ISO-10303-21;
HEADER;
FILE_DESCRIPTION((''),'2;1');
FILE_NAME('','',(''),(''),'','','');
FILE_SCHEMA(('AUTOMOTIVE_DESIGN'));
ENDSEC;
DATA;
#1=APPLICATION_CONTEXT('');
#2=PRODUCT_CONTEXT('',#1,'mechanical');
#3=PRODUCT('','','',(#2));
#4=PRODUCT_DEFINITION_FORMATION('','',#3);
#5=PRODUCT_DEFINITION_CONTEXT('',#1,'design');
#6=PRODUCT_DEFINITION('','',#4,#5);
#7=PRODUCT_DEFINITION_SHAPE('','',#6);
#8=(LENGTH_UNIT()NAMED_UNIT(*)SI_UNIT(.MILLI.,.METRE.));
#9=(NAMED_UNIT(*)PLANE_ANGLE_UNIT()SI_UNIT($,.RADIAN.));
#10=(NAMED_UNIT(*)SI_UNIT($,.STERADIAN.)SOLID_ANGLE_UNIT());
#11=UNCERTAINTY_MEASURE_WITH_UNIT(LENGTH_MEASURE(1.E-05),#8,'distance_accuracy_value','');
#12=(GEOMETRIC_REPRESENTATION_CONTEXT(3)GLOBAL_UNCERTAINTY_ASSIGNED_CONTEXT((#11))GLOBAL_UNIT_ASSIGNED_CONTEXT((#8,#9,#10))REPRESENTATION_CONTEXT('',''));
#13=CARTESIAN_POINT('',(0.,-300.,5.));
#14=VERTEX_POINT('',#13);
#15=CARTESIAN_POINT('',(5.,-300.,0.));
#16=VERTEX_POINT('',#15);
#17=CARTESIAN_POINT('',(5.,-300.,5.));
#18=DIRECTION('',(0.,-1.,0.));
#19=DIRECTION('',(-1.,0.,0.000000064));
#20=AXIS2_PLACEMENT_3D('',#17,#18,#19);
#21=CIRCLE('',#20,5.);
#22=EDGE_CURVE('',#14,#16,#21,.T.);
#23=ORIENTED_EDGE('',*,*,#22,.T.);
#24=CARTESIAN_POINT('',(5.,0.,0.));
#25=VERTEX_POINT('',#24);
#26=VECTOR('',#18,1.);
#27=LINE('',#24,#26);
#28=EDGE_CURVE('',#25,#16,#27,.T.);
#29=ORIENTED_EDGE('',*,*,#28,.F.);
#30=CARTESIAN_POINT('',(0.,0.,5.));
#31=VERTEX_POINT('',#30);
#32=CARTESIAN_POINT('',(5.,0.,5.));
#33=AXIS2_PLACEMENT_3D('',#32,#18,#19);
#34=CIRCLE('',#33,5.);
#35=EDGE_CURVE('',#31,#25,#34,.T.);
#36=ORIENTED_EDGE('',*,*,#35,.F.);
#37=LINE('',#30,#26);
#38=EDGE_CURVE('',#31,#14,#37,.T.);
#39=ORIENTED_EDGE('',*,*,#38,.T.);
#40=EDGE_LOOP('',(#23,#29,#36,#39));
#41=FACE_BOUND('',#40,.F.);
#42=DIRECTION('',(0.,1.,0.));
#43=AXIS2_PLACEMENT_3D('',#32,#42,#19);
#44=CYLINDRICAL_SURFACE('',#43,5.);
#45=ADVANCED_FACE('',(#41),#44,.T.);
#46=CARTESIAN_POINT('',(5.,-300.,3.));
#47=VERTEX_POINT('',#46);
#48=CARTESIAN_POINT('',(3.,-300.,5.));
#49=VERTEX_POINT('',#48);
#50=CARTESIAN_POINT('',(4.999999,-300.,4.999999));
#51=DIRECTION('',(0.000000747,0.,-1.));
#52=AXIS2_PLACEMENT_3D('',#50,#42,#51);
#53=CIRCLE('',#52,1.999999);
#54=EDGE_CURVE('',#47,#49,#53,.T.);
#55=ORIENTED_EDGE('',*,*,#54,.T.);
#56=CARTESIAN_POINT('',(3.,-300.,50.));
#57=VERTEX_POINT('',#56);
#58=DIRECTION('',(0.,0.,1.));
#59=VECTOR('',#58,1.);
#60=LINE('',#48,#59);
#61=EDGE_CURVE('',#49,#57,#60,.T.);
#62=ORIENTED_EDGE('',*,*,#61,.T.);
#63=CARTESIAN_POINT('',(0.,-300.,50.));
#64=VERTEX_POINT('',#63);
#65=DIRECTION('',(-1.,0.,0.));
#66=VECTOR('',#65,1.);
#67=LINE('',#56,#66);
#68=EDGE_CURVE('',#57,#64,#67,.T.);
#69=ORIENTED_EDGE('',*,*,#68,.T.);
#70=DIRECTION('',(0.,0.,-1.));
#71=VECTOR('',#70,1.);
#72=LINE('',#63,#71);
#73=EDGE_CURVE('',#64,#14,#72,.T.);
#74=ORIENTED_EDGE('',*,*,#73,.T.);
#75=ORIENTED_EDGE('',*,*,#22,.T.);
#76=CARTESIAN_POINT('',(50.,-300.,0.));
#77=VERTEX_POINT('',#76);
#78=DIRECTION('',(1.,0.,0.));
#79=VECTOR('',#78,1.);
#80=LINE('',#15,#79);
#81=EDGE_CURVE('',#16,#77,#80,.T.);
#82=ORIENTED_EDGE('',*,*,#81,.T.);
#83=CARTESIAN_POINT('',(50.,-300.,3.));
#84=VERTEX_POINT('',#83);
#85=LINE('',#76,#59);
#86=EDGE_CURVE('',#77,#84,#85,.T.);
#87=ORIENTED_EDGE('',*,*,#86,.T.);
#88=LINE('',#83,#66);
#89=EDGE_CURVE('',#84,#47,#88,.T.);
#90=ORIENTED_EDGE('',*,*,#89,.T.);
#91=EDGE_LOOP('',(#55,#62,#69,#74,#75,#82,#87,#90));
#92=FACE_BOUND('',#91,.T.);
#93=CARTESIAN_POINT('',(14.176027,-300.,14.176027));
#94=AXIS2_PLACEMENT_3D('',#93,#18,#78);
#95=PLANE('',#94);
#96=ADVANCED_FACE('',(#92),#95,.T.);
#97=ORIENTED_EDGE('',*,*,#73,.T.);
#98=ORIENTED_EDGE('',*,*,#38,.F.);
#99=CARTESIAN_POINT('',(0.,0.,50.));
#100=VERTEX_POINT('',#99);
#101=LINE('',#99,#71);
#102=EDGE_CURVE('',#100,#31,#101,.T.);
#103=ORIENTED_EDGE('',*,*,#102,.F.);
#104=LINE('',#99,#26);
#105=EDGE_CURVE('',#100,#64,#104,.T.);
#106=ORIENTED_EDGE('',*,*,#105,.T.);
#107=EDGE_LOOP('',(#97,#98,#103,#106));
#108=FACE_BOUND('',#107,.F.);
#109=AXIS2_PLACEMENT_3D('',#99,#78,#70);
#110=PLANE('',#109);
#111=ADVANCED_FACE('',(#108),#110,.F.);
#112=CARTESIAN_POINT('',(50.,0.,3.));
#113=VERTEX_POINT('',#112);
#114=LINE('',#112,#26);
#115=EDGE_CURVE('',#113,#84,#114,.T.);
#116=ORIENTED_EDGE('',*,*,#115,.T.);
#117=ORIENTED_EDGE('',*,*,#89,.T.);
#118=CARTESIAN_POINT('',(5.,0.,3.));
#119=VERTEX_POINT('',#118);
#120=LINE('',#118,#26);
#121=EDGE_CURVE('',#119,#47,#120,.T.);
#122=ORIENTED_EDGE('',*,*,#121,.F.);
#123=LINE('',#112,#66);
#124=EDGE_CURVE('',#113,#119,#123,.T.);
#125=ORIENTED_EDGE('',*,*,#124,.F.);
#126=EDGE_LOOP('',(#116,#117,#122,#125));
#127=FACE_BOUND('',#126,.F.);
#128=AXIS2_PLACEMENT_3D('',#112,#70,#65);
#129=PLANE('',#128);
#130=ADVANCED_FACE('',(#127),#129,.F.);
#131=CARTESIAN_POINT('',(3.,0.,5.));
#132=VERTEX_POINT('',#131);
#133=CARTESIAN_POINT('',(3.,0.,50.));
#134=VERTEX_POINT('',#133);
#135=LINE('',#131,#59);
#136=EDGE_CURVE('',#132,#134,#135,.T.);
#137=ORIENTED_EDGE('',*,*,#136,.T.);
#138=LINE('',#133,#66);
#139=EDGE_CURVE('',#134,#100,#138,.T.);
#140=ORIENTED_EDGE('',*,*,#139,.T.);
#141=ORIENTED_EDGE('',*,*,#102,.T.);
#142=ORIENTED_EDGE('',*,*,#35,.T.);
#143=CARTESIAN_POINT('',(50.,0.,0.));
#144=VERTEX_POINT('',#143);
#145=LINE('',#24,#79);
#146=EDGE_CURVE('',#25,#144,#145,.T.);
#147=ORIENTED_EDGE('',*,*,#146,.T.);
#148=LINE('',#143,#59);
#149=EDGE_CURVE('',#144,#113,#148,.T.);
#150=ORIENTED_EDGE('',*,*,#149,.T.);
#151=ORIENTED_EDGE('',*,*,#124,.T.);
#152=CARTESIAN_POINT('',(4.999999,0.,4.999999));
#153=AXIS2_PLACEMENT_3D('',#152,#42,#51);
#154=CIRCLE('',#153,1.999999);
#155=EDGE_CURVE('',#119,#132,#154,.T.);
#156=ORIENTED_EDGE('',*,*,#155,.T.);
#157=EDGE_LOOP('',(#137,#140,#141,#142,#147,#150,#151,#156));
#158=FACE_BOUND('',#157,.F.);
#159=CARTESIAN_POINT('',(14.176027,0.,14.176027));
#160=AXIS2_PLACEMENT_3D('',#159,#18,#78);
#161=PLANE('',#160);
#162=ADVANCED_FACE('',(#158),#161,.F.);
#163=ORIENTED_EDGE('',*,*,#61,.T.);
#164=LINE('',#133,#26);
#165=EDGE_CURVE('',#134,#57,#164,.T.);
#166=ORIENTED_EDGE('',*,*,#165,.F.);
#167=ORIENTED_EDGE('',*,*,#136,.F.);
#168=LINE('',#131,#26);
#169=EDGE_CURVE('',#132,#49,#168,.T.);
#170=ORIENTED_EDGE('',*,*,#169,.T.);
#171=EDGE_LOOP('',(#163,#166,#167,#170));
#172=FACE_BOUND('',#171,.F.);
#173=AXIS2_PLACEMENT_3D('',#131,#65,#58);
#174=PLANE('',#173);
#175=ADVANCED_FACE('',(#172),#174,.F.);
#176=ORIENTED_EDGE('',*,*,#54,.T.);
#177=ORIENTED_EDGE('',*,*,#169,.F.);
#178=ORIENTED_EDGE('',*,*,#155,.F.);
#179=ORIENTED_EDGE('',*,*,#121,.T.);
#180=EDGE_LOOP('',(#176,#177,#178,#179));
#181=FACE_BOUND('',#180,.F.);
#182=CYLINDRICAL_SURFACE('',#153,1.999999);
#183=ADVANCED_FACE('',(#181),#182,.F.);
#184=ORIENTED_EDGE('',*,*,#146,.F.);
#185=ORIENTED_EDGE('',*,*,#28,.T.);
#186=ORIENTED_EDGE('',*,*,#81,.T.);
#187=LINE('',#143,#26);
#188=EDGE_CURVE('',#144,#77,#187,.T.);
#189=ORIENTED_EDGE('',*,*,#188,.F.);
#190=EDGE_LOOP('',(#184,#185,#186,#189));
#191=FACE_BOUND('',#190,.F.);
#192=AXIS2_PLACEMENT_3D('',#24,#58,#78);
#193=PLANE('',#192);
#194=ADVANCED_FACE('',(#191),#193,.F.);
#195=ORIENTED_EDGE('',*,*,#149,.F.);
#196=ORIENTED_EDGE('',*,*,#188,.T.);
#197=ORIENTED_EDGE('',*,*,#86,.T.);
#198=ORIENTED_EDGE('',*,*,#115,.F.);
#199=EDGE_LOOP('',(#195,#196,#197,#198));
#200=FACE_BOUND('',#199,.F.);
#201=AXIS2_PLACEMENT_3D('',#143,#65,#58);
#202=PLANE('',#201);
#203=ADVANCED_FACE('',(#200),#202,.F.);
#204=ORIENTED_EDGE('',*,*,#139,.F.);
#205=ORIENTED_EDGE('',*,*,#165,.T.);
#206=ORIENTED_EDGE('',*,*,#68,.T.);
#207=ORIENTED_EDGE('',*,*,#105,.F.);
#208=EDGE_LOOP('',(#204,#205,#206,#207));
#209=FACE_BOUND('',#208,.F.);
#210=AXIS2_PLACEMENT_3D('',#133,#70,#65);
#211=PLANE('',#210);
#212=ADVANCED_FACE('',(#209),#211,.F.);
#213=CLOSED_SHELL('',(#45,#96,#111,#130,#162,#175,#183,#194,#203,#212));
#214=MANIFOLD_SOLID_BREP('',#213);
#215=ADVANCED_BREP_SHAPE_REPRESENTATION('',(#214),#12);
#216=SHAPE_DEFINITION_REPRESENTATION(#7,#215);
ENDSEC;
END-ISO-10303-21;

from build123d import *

# Parameters (mm, degrees)
F1_DEPTH = 300


with BuildPart() as f1:
    # F0 (on Front) → F1 (new body)
    with BuildSketch(Plane.XZ):
        with BuildLine():
            Line((3, 50), (0, 50))
            Line((0, 50), (0, 5))
            ThreePointArc((0, 5), (1.464466, 1.464466), (5, 0))
            Line((5, 0), (50, 0))
            Line((50, 0), (50, 3))
            Line((50, 3), (5, 3))
            ThreePointArc((5, 3), (3.585786, 3.585786), (3, 5))
            Line((3, 5), (3, 50))
        make_face()
    extrude(amount=F1_DEPTH)


solid = f1.part
